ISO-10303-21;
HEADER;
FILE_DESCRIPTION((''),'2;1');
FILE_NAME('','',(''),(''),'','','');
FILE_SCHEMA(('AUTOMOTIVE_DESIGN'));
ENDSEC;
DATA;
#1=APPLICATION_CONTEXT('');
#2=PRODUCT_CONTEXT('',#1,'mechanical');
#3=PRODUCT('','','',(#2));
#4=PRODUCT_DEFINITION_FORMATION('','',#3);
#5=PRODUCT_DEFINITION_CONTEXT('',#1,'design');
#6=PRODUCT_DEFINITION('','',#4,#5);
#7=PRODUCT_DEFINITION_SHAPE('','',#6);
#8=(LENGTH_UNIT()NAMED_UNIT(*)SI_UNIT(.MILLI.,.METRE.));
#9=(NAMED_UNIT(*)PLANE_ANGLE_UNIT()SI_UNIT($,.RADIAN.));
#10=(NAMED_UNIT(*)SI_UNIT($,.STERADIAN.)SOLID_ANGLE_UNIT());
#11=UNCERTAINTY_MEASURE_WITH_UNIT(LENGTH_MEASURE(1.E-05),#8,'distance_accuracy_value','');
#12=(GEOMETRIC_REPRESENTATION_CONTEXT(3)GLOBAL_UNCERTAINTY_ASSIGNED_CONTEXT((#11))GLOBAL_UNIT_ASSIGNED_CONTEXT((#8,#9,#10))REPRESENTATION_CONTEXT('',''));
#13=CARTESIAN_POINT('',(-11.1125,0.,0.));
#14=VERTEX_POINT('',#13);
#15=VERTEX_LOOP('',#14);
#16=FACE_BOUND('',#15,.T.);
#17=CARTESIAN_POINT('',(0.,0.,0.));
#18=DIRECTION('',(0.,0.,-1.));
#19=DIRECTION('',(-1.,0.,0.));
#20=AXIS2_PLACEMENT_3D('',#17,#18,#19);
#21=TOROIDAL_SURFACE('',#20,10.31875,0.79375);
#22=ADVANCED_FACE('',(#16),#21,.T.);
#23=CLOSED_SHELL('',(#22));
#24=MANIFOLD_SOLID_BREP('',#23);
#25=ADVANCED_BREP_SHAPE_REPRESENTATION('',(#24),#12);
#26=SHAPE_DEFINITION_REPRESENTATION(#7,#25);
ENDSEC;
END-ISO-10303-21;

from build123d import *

# Parameters (mm, degrees)
SKETCH2_R = 0.79375


with BuildPart() as part:
    # Sketch2 → Revolve1 (revolve)
    with BuildSketch(Plane(origin=(0, 0, 0), x_dir=(1, 0, 0), z_dir=(0, 1, 0))):
        with Locations((-10.31875, 0)):
            Circle(SKETCH2_R)
    revolve(axis=Axis((0, 0, -11.796476064), (0, 0, 1)))


solid = part.part
